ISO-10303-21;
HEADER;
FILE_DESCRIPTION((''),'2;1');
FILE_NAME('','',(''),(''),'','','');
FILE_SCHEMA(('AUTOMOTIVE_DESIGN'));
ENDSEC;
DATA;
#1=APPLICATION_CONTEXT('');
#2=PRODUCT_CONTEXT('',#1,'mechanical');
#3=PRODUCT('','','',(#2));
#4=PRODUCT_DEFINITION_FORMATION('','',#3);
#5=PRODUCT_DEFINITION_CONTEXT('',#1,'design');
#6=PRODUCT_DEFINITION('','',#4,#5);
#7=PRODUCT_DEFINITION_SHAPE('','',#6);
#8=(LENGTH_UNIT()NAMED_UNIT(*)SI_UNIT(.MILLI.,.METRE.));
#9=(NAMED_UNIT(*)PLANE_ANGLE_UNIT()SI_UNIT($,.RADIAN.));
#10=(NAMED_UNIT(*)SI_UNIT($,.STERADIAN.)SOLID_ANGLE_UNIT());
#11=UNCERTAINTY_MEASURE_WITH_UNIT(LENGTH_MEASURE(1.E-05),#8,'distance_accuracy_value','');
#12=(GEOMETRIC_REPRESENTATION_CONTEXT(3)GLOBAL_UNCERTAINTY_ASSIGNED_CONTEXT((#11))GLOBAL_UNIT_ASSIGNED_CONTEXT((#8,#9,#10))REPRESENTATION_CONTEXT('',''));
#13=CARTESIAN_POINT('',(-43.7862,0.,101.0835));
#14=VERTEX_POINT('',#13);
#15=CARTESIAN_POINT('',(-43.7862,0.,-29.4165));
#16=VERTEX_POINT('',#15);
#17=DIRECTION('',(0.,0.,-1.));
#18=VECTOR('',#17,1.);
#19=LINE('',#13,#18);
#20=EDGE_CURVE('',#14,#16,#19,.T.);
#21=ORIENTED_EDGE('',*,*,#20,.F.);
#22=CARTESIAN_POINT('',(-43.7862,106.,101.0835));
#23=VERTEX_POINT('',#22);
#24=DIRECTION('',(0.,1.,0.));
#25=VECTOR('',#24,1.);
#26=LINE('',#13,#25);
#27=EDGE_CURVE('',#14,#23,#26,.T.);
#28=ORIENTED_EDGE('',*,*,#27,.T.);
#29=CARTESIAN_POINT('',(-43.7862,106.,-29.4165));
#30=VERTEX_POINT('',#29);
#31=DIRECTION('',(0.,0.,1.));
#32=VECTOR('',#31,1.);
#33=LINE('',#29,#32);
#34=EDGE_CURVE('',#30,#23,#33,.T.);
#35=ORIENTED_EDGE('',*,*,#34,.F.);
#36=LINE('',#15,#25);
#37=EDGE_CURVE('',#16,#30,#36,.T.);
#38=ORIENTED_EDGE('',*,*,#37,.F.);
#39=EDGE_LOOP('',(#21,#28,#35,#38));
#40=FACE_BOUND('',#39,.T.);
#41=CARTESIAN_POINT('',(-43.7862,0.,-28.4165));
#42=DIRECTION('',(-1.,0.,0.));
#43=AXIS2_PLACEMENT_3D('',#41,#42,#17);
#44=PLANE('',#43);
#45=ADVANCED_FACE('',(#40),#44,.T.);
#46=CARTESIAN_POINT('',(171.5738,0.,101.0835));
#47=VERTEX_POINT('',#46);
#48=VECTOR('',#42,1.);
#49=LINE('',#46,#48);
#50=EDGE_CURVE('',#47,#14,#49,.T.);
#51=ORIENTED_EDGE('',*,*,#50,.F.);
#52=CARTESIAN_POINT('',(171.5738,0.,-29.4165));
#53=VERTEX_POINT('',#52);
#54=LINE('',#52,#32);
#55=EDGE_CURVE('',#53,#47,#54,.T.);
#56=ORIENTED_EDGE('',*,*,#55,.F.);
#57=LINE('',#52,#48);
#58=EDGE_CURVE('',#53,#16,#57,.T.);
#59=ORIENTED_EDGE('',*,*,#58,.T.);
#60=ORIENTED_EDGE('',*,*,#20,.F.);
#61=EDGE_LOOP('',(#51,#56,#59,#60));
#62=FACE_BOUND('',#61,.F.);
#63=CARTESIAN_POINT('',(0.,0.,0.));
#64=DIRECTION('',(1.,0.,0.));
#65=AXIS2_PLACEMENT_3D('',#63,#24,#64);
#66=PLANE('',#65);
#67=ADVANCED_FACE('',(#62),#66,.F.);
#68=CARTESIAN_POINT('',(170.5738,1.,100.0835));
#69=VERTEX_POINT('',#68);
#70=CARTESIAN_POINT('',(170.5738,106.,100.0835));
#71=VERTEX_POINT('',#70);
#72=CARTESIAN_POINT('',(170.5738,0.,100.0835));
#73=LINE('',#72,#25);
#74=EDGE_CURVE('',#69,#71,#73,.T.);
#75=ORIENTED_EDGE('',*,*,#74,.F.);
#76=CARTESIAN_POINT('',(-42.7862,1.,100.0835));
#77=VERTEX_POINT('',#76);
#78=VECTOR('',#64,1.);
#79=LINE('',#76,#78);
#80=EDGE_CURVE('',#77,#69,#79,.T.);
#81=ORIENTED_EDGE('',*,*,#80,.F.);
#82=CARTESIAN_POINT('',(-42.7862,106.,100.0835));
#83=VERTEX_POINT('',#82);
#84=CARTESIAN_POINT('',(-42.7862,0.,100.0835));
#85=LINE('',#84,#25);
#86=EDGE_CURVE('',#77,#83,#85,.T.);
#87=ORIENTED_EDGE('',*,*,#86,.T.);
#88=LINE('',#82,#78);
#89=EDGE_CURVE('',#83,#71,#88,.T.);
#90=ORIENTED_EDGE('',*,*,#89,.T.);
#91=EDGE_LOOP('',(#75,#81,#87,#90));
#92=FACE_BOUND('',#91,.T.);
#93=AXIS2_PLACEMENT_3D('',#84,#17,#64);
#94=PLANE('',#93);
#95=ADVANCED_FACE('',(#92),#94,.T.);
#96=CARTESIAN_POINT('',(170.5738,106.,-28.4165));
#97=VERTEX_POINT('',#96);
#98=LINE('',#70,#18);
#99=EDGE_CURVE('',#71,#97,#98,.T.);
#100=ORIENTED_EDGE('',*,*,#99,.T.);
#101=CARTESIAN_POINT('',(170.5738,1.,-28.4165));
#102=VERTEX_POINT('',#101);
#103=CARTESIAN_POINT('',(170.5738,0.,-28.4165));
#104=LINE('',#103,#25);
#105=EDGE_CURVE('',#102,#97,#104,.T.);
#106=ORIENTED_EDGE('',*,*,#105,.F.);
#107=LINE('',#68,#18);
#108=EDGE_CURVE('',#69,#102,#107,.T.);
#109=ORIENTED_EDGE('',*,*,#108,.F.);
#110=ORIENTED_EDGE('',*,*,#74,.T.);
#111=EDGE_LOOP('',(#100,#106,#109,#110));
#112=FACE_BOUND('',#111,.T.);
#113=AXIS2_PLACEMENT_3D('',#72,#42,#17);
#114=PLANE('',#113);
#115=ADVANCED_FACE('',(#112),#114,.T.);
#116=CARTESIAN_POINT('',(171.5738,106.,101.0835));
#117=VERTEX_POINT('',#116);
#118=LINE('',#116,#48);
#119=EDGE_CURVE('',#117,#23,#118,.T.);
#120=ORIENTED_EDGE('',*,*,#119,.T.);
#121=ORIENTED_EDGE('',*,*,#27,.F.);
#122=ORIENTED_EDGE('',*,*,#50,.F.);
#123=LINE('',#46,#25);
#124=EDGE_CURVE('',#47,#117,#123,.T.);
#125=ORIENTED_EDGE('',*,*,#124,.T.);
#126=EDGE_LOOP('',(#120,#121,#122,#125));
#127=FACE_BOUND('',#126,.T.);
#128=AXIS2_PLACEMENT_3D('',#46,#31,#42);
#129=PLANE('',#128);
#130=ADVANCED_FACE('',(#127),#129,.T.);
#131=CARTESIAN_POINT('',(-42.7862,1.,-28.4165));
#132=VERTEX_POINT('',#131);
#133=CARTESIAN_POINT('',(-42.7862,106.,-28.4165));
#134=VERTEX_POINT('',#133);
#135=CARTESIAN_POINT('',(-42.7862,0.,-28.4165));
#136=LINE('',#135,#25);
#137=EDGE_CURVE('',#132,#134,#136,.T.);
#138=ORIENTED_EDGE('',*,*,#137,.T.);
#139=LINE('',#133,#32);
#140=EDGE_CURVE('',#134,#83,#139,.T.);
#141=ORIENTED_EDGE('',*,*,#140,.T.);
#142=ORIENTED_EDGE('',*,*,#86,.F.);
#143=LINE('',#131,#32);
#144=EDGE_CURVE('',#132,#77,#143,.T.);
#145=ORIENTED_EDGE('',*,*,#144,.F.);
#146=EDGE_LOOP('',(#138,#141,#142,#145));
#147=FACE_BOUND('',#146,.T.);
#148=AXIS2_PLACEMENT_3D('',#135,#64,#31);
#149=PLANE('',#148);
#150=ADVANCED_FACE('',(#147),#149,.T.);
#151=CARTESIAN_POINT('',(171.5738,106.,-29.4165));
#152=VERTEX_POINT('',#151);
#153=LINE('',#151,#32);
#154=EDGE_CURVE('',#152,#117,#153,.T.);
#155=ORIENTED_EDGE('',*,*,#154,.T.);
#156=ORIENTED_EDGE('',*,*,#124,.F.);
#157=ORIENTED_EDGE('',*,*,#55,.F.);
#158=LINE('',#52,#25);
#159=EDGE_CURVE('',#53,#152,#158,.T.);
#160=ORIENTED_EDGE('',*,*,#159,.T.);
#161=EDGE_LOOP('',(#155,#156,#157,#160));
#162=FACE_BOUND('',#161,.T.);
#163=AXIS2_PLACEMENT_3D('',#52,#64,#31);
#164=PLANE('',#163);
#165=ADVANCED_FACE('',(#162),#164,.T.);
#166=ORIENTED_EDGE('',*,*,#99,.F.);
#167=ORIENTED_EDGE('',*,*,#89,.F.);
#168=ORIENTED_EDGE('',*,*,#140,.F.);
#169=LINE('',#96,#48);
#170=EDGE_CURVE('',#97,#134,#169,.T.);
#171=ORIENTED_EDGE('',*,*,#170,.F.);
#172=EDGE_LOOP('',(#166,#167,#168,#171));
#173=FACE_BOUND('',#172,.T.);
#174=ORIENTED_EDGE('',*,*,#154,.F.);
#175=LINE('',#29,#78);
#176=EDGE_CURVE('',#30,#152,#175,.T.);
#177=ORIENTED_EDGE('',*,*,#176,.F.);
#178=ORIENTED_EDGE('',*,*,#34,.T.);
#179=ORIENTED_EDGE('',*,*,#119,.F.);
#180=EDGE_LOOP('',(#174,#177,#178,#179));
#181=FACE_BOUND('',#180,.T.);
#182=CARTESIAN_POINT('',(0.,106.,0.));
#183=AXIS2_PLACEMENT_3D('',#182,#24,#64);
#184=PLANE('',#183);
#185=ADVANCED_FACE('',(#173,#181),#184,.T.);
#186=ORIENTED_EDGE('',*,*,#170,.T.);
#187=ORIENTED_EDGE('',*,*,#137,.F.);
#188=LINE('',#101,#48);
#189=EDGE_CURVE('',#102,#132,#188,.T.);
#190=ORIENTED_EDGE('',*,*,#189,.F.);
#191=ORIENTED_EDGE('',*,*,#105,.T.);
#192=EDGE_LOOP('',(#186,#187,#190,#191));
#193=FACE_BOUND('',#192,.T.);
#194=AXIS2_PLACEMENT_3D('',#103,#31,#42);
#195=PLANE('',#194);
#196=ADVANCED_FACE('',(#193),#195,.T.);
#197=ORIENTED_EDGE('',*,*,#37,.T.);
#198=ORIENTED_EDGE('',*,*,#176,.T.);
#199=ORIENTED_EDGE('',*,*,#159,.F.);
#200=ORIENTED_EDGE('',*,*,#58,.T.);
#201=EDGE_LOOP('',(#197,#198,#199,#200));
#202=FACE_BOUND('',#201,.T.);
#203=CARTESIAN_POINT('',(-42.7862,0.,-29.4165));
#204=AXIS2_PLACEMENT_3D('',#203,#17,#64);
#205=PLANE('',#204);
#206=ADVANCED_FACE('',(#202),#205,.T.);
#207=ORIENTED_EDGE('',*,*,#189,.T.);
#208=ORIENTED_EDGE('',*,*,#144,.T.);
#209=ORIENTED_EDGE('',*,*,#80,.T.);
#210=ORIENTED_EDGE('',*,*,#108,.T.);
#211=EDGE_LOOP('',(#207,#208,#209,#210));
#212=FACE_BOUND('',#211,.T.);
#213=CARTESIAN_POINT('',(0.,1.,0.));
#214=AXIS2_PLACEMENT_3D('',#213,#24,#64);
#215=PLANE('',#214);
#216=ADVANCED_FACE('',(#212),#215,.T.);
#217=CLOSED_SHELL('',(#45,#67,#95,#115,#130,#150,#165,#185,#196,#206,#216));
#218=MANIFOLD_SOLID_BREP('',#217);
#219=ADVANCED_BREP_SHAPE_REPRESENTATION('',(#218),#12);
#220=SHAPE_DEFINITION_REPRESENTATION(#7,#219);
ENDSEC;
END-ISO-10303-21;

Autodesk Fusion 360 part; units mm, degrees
sketch "shape" plane through (0, 0, 0) normal (0, 1, 0) x (1, 0, 0)
  line L0 (170.5738, 28.4165) -> (-42.7862, 28.4165)
  line L1 (-42.7862, 28.4165) -> (-42.7862, -100.0835)
  line L2 (170.5738, -100.0835) -> (170.5738, 28.4165)
  line L3 (-42.7862, -100.0835) -> (170.5738, -100.0835)
  line L4 (-42.7862, 28.4165) -> (-42.7862, 29.4165)
  line L5 (-42.7862, 28.4165) -> (-43.7862, 28.4165)
  line L6 (-42.7862, 28.4165) -> (-43.7862, 28.4165)
  line L7 (-43.7862, 28.4165) -> (-43.7862, 29.4165)
  line L8 (-43.7862, 29.4165) -> (-42.7862, 29.4165)
  line L9 (-42.7862, 29.4165) -> (-42.7862, 28.4165)
  line L10 (-43.7862, 29.4165) -> (171.5738, 29.4165)
  line L11 (171.5738, 29.4165) -> (171.5738, -101.0835)
  line L12 (171.5738, -101.0835) -> (-43.7862, -101.0835)
  line L13 (-43.7862, -101.0835) -> (-43.7862, 29.4165)
  dimension "d1" = 213.36
  dimension "d2" = 128.5
  dimension "d3" = 1
  dimension "d4" = 1
  dimension "d5" = 130.5
extrude "Extrude1" add sketch "shape" along normal blind 1 contours L0 L1 L2 L3
extrude "Extrude2" add sketch "shape" along normal blind 106
